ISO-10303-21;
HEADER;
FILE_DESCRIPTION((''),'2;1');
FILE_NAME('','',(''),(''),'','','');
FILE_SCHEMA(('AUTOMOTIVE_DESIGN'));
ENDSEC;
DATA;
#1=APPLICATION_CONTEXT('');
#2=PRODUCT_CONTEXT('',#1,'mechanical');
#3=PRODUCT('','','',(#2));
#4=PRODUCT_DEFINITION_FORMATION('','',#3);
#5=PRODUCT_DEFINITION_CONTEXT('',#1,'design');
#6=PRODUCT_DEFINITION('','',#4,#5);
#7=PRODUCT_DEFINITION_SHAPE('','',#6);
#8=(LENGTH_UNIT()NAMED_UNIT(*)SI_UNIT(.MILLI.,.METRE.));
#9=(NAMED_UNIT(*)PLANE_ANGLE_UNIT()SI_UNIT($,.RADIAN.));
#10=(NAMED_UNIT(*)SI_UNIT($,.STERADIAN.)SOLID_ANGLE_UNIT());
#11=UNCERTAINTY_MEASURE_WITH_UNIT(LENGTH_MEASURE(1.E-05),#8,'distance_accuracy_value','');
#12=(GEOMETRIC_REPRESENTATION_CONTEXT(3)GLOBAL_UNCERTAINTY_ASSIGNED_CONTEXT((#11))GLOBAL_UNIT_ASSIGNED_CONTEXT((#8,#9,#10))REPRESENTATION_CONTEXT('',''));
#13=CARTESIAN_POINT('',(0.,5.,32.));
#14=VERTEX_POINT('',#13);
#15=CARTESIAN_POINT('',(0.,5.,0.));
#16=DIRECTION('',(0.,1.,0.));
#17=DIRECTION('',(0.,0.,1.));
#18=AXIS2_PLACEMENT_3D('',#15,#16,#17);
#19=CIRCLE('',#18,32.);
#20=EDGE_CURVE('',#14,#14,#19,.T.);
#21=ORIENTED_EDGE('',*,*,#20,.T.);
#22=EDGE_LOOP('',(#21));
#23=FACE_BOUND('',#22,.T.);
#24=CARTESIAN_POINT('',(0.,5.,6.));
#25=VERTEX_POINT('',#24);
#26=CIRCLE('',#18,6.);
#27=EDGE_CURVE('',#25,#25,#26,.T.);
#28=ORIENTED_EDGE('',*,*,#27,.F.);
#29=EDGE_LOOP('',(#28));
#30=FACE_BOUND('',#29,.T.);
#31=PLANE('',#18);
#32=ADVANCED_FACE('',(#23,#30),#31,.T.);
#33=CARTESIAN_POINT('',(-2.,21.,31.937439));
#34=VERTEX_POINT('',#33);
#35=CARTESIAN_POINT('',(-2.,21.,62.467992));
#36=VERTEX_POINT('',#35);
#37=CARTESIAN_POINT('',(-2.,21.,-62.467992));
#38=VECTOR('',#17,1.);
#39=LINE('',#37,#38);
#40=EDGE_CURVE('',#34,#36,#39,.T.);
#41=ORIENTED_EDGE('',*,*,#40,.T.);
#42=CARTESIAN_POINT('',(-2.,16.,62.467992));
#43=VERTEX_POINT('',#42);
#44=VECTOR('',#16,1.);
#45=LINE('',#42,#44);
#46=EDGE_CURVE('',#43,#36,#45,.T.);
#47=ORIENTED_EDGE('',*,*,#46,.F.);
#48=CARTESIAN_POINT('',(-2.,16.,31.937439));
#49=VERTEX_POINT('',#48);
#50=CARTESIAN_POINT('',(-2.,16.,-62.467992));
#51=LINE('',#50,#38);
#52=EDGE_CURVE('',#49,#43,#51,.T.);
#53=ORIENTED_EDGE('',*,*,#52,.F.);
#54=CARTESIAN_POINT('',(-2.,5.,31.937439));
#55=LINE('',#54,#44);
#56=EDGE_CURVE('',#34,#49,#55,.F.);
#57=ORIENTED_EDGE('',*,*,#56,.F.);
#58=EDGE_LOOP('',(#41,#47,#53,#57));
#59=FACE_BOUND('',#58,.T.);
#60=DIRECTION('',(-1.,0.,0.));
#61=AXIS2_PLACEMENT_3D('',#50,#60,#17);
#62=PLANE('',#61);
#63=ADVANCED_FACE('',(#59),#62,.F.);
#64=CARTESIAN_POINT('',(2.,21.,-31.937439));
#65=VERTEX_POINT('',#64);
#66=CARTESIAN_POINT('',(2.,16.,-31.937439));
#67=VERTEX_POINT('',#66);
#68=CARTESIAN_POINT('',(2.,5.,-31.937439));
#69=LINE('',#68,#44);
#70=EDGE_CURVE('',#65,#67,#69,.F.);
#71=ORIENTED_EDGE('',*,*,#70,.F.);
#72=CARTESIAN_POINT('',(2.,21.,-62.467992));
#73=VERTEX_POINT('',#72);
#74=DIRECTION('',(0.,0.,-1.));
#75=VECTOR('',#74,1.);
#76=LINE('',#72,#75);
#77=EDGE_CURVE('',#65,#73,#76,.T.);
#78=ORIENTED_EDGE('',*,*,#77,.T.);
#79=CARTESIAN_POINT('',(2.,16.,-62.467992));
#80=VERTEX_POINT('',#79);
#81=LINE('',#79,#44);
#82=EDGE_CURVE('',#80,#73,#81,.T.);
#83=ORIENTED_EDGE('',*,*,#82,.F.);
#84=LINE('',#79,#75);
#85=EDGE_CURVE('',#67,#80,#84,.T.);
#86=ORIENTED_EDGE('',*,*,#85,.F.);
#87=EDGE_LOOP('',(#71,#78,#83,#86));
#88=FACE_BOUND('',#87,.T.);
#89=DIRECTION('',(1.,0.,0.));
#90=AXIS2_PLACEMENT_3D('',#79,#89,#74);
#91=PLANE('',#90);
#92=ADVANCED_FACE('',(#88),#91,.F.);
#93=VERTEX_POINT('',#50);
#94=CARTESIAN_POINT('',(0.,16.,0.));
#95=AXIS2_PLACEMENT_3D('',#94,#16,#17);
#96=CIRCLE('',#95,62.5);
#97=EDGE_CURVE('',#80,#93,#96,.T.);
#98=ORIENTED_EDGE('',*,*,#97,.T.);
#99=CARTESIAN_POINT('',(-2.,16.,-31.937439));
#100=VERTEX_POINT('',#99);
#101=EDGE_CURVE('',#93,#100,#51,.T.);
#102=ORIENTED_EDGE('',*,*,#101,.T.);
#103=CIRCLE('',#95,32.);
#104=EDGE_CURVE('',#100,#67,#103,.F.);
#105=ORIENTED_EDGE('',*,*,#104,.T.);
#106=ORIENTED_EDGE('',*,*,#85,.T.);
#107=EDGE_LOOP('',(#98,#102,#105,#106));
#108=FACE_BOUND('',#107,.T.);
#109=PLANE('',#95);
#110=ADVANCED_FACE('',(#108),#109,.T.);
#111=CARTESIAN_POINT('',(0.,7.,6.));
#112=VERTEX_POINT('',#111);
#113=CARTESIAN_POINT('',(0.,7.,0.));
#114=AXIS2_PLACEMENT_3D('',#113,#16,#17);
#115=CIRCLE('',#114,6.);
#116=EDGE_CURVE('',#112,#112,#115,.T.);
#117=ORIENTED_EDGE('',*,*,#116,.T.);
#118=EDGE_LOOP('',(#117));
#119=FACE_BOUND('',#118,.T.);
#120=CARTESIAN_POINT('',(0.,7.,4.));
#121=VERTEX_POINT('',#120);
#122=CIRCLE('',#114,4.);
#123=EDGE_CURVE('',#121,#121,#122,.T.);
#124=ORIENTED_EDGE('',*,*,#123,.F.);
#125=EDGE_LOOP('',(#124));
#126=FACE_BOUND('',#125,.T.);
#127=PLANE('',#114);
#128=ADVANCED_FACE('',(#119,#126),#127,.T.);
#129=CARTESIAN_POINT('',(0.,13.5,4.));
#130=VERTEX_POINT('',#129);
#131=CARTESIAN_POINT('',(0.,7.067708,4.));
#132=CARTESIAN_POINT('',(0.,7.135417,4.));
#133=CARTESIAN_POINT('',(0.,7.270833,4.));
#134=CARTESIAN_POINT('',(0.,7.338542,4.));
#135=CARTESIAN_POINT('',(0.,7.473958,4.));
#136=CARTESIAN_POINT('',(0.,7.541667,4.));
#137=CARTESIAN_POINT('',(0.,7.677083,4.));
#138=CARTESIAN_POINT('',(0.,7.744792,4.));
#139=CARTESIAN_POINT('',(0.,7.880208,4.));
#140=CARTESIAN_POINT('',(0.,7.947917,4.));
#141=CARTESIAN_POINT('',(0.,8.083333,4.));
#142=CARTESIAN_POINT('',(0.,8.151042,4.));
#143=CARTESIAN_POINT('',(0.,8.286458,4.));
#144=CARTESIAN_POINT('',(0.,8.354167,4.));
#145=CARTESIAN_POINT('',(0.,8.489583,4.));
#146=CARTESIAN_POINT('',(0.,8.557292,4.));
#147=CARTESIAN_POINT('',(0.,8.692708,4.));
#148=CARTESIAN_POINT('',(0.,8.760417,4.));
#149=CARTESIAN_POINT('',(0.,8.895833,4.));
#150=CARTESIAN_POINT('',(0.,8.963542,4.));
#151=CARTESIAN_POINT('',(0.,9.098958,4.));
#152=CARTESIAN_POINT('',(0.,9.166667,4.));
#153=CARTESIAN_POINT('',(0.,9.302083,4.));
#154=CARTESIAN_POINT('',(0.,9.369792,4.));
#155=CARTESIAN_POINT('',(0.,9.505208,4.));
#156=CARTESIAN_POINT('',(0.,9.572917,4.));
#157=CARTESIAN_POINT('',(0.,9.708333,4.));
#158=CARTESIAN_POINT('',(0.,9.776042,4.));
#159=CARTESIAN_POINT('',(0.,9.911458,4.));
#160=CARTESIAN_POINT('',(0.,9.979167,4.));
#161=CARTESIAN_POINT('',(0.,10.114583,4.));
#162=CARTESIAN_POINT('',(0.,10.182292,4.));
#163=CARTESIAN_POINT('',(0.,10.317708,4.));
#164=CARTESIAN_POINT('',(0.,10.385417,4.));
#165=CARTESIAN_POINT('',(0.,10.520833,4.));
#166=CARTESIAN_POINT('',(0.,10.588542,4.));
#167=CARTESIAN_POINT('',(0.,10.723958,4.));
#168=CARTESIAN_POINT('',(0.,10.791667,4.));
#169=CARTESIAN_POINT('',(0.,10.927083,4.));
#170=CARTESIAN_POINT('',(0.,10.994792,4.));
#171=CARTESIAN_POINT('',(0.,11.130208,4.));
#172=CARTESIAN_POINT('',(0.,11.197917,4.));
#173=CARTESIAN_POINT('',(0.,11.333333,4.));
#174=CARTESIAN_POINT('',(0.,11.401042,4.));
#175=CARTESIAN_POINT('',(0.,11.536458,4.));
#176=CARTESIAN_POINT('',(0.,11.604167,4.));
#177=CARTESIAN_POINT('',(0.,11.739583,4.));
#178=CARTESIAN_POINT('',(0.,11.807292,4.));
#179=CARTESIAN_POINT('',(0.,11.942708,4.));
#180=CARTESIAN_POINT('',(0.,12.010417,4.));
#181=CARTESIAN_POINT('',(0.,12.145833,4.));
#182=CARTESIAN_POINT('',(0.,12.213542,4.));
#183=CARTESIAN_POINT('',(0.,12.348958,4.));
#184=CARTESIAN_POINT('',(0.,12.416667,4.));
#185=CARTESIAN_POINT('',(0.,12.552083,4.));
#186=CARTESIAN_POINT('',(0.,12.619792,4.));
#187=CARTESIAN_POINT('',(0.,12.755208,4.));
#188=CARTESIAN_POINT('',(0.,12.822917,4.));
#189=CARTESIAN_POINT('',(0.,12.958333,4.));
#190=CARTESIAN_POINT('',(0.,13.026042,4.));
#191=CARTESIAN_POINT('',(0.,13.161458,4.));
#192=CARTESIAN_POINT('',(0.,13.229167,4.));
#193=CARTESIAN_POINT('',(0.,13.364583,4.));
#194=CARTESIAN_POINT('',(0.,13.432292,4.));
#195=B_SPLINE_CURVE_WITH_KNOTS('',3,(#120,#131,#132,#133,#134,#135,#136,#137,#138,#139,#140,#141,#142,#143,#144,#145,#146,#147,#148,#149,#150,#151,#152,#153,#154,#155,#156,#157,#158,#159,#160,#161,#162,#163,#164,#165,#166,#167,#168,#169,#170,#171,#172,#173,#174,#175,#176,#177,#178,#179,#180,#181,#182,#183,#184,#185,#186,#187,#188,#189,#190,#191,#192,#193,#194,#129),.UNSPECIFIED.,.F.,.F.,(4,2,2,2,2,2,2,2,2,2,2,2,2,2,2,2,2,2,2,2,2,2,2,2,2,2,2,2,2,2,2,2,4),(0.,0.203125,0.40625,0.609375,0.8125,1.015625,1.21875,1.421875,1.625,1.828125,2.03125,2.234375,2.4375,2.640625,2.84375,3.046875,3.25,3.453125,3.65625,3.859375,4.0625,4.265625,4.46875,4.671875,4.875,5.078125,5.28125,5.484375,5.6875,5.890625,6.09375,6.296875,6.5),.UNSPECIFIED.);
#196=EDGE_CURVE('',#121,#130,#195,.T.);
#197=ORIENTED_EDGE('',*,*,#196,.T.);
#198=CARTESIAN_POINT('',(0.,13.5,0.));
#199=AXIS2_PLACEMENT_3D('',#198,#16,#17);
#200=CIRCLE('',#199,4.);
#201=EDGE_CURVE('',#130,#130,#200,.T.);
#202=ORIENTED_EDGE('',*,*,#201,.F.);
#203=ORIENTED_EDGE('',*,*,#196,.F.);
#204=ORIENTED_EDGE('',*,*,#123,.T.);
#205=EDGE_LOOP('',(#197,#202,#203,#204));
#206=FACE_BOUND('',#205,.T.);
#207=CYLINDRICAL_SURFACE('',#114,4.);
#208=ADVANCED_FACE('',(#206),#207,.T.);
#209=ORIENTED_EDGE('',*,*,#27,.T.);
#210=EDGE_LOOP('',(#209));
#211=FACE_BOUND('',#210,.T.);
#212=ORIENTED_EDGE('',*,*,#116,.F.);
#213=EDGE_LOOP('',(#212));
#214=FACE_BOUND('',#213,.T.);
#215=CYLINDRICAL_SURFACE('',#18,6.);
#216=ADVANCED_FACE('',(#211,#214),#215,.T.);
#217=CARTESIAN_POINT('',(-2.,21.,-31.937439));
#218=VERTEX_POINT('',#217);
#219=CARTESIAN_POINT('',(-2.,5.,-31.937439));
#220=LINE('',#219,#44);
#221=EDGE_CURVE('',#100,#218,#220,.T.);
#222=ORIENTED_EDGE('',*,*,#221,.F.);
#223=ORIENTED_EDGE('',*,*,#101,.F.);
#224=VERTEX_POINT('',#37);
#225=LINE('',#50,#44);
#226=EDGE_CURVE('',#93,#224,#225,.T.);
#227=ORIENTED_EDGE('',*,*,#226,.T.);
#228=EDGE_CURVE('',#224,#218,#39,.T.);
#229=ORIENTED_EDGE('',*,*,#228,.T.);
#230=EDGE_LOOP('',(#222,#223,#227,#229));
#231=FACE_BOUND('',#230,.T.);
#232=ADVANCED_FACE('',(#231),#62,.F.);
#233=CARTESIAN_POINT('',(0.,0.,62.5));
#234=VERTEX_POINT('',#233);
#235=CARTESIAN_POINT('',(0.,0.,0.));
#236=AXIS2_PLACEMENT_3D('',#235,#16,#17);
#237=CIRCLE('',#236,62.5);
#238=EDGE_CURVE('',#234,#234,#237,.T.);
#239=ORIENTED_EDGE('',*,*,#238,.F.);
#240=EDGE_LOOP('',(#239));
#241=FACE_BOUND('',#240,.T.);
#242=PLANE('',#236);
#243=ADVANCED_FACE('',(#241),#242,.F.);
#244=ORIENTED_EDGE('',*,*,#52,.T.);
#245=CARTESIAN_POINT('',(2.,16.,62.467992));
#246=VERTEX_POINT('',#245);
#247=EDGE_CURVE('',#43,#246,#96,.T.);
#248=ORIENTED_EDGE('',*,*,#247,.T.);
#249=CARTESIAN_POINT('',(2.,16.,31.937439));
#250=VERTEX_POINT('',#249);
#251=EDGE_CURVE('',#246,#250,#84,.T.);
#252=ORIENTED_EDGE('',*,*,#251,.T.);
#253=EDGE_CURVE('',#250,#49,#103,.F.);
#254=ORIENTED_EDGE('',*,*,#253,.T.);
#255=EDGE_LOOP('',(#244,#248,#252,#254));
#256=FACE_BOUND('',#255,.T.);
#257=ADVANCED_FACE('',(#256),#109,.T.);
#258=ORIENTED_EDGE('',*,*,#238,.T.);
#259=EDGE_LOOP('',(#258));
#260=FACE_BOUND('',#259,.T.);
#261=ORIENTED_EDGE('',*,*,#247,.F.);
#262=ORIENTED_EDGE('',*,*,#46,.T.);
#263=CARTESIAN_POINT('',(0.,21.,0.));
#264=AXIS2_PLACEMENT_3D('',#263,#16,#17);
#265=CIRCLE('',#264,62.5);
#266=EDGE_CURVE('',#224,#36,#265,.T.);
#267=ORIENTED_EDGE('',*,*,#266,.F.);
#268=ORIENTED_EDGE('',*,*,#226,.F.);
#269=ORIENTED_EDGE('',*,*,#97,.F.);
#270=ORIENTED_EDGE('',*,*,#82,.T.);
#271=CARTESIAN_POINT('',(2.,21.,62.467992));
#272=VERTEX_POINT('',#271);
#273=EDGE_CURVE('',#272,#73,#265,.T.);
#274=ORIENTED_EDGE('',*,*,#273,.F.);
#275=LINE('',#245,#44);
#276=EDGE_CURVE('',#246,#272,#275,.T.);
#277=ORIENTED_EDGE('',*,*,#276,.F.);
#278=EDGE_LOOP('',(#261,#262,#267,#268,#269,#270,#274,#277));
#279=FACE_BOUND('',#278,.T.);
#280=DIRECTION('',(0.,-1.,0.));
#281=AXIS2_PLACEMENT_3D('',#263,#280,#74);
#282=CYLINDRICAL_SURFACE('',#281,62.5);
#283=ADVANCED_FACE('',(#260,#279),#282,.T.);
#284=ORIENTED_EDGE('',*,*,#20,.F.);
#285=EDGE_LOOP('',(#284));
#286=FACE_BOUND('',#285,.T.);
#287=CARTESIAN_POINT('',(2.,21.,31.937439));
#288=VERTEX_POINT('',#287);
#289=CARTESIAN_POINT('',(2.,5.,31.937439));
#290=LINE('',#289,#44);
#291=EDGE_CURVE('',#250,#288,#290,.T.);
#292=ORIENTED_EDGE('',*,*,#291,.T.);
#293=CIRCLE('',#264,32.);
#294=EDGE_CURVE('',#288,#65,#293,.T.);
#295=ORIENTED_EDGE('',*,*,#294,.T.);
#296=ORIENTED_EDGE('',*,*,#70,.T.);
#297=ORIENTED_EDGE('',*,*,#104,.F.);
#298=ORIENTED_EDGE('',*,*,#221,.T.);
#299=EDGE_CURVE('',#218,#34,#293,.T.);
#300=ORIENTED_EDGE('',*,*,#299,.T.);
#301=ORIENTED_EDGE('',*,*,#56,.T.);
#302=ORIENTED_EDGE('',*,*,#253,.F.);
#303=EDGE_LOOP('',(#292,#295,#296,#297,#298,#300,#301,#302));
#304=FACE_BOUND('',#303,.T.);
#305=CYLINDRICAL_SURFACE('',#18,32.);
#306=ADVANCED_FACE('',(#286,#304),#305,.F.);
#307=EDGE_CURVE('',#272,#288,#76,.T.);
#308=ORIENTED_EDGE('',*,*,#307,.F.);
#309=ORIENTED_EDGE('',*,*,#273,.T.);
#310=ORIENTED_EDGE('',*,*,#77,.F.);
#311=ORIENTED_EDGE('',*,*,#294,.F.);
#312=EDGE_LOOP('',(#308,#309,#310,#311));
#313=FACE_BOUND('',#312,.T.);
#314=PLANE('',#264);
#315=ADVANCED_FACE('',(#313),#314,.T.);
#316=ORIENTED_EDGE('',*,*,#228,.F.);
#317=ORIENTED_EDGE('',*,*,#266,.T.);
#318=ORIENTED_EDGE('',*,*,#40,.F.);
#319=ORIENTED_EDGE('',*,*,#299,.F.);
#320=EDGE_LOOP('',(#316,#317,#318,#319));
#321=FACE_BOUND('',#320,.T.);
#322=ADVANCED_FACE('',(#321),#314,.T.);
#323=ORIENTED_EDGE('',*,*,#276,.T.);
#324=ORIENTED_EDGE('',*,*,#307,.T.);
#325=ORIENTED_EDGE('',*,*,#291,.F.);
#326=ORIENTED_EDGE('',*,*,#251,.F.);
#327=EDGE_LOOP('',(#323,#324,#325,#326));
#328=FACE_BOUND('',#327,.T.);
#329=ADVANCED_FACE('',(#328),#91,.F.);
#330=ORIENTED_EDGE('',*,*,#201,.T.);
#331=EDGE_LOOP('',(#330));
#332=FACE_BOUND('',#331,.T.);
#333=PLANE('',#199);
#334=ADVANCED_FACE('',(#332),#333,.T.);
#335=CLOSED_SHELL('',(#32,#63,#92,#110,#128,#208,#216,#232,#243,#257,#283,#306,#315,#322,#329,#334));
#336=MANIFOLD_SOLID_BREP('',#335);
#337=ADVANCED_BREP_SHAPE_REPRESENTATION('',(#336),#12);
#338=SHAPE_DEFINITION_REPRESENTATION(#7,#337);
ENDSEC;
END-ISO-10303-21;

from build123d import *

# Parameters (mm, degrees)
SKETCH1_R           = 62.5
BOSS_EXTRUDE1_DEPTH = 21
SKETCH2_R           = 32
SKETCH2_R_2         = 6
CUT_EXTRUDE1_DEPTH  = 16
SKETCH3_R           = 6
SKETCH3_R_2         = 4
CUT_EXTRUDE2_DEPTH  = 14
SKETCH4_R           = 4
CUT_EXTRUDE3_DEPTH  = 7.5
CUT_EXTRUDE4_START  = -5
CUT_EXTRUDE4_DEPTH  = 5


with BuildPart() as part:
    # Sketch1 → Boss-Extrude1 (new body)
    with BuildSketch(Plane(origin=(0, 0, 0), x_dir=(1, 0, 0), z_dir=(0, 1, 0))):
        with Locations(Location((0, 0, 0), (0, 0, 90))):
            Circle(SKETCH1_R)
    extrude(amount=BOSS_EXTRUDE1_DEPTH)

    # Sketch2 → Cut-Extrude1 (cut)
    with BuildSketch(Plane(origin=(0, 21, 0), x_dir=(1, 0, 0), z_dir=(0, 1, 0))):
        with Locations(Location((0, 0, 0), (0, 0, 270))):
            Circle(SKETCH2_R)
        with Locations(Location((0, 0, 0), (0, 0, 270))):
            Circle(SKETCH2_R_2, mode=Mode.SUBTRACT)
    extrude(amount=-CUT_EXTRUDE1_DEPTH, mode=Mode.SUBTRACT)

    # Sketch3 → Cut-Extrude2 (cut)
    with BuildSketch(Plane(origin=(0, 21, 0), x_dir=(1, 0, 0), z_dir=(0, 1, 0))):
        with Locations(Location((0, 0, 0), (0, 0, 270))):
            Circle(SKETCH3_R)
        with Locations(Location((0, 0, 0), (0, 0, 270))):
            Circle(SKETCH3_R_2, mode=Mode.SUBTRACT)
    extrude(amount=-CUT_EXTRUDE2_DEPTH, mode=Mode.SUBTRACT)

    # Sketch4 → Cut-Extrude3 (cut)
    with BuildSketch(Plane(origin=(0, 21, 0), x_dir=(1, 0, 0), z_dir=(0, 1, 0))):
        with Locations(Location((0, 0, 0), (0, 0, 270))):
            Circle(SKETCH4_R)
    extrude(amount=-CUT_EXTRUDE3_DEPTH, mode=Mode.SUBTRACT)

    # Sketch5 → Cut-Extrude4 (cut)
    with BuildSketch(Plane(origin=(0, 21, 0), x_dir=(1, 0, 0), z_dir=(0, 1, 0)).offset(CUT_EXTRUDE4_START)):
        with BuildLine():
            Line((2, 62.467991804), (2, -62.467991804))
            ThreePointArc((2, -62.467991804), (0, -62.5), (-2, -62.467991804))
            Line((-2, -62.467991804), (-2, 62.467991804))
            ThreePointArc((-2, 62.467991804), (0, 62.5), (2, 62.467991804))
        make_face()
    extrude(amount=CUT_EXTRUDE4_DEPTH, mode=Mode.SUBTRACT)


solid = part.part
